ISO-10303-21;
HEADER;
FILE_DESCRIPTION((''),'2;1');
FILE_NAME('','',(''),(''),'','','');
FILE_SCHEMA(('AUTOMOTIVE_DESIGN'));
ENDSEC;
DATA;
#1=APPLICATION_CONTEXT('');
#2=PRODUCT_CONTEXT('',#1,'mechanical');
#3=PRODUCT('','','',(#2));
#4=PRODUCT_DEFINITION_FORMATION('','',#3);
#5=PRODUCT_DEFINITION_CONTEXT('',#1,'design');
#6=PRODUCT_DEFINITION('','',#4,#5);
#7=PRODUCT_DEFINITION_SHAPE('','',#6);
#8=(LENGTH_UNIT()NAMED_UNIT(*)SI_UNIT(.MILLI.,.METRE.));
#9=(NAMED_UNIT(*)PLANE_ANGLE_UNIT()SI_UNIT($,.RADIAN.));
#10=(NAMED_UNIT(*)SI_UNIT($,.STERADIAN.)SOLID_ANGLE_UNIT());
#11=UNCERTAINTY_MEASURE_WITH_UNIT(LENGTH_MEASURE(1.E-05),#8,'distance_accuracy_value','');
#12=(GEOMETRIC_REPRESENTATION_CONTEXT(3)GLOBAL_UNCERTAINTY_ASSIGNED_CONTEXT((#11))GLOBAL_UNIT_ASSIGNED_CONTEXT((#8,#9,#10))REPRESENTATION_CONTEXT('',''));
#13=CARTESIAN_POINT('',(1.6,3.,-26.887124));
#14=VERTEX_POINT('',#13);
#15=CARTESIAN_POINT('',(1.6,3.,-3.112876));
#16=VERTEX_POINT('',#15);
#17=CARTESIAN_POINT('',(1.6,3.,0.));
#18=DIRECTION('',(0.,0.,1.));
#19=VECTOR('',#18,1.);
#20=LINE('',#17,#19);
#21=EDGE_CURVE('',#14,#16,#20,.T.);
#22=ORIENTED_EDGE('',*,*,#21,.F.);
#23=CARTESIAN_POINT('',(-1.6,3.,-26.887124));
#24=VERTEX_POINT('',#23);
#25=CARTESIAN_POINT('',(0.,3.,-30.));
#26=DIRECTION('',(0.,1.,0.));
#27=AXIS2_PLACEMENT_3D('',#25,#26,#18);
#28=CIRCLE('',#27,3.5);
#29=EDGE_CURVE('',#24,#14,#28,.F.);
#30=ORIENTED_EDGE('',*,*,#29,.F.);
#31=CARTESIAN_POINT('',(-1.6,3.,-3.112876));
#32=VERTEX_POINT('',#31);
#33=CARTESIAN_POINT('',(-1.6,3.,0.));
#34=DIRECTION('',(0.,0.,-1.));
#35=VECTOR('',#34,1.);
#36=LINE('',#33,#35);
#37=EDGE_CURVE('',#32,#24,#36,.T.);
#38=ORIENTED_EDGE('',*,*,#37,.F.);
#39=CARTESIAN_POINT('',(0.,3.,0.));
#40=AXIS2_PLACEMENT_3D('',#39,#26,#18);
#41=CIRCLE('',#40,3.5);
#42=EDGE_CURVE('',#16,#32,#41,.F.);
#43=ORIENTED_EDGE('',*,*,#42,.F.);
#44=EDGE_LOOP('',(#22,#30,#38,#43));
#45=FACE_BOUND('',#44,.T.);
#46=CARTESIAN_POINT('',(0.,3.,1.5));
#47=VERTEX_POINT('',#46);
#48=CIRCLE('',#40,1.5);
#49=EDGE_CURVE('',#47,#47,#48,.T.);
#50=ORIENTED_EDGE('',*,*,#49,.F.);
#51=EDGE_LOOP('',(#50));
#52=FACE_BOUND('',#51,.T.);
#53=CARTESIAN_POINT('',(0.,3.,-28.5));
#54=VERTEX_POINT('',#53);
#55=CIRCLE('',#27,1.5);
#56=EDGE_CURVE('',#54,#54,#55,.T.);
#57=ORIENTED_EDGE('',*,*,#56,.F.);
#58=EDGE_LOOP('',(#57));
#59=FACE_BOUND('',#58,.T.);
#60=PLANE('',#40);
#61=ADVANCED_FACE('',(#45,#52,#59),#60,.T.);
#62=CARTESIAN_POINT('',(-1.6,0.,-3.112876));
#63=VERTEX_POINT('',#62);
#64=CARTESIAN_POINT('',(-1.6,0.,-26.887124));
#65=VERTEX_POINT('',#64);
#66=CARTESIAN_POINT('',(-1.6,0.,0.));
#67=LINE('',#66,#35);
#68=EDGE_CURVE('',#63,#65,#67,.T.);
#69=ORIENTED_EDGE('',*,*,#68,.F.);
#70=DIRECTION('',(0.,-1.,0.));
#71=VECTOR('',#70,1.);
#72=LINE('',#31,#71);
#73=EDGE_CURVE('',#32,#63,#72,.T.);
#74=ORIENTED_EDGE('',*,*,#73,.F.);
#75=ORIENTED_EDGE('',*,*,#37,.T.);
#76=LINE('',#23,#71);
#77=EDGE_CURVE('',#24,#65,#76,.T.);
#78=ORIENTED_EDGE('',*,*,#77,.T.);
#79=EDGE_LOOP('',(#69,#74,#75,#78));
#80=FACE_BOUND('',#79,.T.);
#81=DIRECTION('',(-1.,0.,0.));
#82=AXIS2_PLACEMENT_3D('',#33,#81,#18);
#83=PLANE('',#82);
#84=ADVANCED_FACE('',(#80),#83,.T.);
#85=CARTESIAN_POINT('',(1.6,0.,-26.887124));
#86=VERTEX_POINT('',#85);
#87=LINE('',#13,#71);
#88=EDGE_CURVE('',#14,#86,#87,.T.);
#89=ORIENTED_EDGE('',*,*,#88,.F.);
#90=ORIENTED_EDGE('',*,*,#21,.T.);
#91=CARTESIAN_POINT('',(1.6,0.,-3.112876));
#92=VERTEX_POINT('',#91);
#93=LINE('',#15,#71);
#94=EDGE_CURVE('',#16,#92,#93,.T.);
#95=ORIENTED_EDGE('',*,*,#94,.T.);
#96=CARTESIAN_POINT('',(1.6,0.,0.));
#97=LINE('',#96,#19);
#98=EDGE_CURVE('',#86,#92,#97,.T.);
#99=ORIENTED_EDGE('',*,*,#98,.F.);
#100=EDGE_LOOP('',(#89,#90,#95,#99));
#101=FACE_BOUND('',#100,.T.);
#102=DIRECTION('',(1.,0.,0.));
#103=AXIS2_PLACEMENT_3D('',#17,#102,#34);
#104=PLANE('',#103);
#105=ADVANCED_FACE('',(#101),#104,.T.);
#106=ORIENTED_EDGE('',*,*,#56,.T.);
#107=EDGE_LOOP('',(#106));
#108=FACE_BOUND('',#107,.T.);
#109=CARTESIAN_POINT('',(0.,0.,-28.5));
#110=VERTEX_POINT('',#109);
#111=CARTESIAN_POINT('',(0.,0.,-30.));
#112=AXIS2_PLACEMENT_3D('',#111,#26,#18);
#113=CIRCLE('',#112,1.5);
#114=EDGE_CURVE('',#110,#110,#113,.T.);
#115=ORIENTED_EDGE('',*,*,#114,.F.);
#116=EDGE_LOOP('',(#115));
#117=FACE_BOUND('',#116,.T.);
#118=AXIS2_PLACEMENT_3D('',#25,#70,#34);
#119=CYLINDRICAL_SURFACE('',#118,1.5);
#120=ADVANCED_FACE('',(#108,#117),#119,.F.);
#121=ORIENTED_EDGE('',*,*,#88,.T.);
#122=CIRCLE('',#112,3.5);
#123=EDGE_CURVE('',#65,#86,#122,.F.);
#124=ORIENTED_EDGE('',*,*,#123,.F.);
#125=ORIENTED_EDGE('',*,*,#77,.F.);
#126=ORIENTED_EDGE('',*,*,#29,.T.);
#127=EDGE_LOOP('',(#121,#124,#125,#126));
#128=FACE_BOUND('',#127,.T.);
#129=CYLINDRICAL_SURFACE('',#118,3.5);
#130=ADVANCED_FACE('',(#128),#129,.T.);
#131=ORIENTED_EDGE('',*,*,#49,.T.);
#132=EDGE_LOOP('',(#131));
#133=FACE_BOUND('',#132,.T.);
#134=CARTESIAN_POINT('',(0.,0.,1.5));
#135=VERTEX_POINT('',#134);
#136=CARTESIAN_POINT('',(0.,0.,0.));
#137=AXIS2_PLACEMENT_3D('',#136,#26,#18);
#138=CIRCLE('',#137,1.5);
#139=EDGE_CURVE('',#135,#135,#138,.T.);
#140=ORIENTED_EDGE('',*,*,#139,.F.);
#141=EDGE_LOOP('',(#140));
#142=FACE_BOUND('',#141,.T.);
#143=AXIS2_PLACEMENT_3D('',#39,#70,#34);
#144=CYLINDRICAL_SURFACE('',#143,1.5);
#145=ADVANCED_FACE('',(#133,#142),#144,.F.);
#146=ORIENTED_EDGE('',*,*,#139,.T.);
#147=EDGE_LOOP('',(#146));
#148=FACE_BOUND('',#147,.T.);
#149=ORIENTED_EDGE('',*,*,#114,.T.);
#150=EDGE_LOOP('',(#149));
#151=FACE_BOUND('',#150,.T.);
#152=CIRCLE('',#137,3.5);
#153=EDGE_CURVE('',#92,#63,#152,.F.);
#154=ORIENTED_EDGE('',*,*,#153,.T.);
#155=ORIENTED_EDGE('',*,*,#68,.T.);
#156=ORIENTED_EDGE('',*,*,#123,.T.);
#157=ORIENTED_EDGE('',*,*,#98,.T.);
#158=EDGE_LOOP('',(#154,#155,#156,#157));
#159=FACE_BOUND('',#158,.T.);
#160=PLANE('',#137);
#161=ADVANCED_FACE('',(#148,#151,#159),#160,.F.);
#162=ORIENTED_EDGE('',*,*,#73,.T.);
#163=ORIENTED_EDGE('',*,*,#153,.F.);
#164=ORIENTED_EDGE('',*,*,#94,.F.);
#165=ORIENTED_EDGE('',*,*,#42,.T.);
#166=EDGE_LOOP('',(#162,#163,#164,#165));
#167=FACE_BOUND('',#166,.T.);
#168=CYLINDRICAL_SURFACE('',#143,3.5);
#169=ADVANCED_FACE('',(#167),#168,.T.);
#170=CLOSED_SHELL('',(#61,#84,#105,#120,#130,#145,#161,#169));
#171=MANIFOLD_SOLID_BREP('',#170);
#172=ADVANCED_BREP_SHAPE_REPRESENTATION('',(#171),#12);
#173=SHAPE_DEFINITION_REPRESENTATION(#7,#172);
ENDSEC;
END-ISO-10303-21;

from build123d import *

# Parameters (mm, degrees)
SKETCH1_R           = 1.5
BOSS_EXTRUDE1_DEPTH = 3


with BuildPart() as part:
    # Sketch1 → Boss-Extrude1 (new body)
    with BuildSketch(Plane(origin=(0, 0, 0), x_dir=(1, 0, 0), z_dir=(0, 1, 0))):
        with BuildLine():
            Line((-1.6, 3.112876483), (-1.6, 26.887123517))
            ThreePointArc((-1.6, 26.887123517), (0, 33.5), (1.6, 26.887123517))
            Line((1.6, 26.887123517), (1.6, 3.112876483))
            ThreePointArc((1.6, 3.112876483), (0, -3.5), (-1.6, 3.112876483))
        make_face()
        with Locations(Location((0, 0, 0), (0, 0, 270))):
            Circle(SKETCH1_R, mode=Mode.SUBTRACT)
        with Locations(Location((0, 30, 0), (0, 0, 270))):
            Circle(SKETCH1_R, mode=Mode.SUBTRACT)
    extrude(amount=BOSS_EXTRUDE1_DEPTH)


solid = part.part
